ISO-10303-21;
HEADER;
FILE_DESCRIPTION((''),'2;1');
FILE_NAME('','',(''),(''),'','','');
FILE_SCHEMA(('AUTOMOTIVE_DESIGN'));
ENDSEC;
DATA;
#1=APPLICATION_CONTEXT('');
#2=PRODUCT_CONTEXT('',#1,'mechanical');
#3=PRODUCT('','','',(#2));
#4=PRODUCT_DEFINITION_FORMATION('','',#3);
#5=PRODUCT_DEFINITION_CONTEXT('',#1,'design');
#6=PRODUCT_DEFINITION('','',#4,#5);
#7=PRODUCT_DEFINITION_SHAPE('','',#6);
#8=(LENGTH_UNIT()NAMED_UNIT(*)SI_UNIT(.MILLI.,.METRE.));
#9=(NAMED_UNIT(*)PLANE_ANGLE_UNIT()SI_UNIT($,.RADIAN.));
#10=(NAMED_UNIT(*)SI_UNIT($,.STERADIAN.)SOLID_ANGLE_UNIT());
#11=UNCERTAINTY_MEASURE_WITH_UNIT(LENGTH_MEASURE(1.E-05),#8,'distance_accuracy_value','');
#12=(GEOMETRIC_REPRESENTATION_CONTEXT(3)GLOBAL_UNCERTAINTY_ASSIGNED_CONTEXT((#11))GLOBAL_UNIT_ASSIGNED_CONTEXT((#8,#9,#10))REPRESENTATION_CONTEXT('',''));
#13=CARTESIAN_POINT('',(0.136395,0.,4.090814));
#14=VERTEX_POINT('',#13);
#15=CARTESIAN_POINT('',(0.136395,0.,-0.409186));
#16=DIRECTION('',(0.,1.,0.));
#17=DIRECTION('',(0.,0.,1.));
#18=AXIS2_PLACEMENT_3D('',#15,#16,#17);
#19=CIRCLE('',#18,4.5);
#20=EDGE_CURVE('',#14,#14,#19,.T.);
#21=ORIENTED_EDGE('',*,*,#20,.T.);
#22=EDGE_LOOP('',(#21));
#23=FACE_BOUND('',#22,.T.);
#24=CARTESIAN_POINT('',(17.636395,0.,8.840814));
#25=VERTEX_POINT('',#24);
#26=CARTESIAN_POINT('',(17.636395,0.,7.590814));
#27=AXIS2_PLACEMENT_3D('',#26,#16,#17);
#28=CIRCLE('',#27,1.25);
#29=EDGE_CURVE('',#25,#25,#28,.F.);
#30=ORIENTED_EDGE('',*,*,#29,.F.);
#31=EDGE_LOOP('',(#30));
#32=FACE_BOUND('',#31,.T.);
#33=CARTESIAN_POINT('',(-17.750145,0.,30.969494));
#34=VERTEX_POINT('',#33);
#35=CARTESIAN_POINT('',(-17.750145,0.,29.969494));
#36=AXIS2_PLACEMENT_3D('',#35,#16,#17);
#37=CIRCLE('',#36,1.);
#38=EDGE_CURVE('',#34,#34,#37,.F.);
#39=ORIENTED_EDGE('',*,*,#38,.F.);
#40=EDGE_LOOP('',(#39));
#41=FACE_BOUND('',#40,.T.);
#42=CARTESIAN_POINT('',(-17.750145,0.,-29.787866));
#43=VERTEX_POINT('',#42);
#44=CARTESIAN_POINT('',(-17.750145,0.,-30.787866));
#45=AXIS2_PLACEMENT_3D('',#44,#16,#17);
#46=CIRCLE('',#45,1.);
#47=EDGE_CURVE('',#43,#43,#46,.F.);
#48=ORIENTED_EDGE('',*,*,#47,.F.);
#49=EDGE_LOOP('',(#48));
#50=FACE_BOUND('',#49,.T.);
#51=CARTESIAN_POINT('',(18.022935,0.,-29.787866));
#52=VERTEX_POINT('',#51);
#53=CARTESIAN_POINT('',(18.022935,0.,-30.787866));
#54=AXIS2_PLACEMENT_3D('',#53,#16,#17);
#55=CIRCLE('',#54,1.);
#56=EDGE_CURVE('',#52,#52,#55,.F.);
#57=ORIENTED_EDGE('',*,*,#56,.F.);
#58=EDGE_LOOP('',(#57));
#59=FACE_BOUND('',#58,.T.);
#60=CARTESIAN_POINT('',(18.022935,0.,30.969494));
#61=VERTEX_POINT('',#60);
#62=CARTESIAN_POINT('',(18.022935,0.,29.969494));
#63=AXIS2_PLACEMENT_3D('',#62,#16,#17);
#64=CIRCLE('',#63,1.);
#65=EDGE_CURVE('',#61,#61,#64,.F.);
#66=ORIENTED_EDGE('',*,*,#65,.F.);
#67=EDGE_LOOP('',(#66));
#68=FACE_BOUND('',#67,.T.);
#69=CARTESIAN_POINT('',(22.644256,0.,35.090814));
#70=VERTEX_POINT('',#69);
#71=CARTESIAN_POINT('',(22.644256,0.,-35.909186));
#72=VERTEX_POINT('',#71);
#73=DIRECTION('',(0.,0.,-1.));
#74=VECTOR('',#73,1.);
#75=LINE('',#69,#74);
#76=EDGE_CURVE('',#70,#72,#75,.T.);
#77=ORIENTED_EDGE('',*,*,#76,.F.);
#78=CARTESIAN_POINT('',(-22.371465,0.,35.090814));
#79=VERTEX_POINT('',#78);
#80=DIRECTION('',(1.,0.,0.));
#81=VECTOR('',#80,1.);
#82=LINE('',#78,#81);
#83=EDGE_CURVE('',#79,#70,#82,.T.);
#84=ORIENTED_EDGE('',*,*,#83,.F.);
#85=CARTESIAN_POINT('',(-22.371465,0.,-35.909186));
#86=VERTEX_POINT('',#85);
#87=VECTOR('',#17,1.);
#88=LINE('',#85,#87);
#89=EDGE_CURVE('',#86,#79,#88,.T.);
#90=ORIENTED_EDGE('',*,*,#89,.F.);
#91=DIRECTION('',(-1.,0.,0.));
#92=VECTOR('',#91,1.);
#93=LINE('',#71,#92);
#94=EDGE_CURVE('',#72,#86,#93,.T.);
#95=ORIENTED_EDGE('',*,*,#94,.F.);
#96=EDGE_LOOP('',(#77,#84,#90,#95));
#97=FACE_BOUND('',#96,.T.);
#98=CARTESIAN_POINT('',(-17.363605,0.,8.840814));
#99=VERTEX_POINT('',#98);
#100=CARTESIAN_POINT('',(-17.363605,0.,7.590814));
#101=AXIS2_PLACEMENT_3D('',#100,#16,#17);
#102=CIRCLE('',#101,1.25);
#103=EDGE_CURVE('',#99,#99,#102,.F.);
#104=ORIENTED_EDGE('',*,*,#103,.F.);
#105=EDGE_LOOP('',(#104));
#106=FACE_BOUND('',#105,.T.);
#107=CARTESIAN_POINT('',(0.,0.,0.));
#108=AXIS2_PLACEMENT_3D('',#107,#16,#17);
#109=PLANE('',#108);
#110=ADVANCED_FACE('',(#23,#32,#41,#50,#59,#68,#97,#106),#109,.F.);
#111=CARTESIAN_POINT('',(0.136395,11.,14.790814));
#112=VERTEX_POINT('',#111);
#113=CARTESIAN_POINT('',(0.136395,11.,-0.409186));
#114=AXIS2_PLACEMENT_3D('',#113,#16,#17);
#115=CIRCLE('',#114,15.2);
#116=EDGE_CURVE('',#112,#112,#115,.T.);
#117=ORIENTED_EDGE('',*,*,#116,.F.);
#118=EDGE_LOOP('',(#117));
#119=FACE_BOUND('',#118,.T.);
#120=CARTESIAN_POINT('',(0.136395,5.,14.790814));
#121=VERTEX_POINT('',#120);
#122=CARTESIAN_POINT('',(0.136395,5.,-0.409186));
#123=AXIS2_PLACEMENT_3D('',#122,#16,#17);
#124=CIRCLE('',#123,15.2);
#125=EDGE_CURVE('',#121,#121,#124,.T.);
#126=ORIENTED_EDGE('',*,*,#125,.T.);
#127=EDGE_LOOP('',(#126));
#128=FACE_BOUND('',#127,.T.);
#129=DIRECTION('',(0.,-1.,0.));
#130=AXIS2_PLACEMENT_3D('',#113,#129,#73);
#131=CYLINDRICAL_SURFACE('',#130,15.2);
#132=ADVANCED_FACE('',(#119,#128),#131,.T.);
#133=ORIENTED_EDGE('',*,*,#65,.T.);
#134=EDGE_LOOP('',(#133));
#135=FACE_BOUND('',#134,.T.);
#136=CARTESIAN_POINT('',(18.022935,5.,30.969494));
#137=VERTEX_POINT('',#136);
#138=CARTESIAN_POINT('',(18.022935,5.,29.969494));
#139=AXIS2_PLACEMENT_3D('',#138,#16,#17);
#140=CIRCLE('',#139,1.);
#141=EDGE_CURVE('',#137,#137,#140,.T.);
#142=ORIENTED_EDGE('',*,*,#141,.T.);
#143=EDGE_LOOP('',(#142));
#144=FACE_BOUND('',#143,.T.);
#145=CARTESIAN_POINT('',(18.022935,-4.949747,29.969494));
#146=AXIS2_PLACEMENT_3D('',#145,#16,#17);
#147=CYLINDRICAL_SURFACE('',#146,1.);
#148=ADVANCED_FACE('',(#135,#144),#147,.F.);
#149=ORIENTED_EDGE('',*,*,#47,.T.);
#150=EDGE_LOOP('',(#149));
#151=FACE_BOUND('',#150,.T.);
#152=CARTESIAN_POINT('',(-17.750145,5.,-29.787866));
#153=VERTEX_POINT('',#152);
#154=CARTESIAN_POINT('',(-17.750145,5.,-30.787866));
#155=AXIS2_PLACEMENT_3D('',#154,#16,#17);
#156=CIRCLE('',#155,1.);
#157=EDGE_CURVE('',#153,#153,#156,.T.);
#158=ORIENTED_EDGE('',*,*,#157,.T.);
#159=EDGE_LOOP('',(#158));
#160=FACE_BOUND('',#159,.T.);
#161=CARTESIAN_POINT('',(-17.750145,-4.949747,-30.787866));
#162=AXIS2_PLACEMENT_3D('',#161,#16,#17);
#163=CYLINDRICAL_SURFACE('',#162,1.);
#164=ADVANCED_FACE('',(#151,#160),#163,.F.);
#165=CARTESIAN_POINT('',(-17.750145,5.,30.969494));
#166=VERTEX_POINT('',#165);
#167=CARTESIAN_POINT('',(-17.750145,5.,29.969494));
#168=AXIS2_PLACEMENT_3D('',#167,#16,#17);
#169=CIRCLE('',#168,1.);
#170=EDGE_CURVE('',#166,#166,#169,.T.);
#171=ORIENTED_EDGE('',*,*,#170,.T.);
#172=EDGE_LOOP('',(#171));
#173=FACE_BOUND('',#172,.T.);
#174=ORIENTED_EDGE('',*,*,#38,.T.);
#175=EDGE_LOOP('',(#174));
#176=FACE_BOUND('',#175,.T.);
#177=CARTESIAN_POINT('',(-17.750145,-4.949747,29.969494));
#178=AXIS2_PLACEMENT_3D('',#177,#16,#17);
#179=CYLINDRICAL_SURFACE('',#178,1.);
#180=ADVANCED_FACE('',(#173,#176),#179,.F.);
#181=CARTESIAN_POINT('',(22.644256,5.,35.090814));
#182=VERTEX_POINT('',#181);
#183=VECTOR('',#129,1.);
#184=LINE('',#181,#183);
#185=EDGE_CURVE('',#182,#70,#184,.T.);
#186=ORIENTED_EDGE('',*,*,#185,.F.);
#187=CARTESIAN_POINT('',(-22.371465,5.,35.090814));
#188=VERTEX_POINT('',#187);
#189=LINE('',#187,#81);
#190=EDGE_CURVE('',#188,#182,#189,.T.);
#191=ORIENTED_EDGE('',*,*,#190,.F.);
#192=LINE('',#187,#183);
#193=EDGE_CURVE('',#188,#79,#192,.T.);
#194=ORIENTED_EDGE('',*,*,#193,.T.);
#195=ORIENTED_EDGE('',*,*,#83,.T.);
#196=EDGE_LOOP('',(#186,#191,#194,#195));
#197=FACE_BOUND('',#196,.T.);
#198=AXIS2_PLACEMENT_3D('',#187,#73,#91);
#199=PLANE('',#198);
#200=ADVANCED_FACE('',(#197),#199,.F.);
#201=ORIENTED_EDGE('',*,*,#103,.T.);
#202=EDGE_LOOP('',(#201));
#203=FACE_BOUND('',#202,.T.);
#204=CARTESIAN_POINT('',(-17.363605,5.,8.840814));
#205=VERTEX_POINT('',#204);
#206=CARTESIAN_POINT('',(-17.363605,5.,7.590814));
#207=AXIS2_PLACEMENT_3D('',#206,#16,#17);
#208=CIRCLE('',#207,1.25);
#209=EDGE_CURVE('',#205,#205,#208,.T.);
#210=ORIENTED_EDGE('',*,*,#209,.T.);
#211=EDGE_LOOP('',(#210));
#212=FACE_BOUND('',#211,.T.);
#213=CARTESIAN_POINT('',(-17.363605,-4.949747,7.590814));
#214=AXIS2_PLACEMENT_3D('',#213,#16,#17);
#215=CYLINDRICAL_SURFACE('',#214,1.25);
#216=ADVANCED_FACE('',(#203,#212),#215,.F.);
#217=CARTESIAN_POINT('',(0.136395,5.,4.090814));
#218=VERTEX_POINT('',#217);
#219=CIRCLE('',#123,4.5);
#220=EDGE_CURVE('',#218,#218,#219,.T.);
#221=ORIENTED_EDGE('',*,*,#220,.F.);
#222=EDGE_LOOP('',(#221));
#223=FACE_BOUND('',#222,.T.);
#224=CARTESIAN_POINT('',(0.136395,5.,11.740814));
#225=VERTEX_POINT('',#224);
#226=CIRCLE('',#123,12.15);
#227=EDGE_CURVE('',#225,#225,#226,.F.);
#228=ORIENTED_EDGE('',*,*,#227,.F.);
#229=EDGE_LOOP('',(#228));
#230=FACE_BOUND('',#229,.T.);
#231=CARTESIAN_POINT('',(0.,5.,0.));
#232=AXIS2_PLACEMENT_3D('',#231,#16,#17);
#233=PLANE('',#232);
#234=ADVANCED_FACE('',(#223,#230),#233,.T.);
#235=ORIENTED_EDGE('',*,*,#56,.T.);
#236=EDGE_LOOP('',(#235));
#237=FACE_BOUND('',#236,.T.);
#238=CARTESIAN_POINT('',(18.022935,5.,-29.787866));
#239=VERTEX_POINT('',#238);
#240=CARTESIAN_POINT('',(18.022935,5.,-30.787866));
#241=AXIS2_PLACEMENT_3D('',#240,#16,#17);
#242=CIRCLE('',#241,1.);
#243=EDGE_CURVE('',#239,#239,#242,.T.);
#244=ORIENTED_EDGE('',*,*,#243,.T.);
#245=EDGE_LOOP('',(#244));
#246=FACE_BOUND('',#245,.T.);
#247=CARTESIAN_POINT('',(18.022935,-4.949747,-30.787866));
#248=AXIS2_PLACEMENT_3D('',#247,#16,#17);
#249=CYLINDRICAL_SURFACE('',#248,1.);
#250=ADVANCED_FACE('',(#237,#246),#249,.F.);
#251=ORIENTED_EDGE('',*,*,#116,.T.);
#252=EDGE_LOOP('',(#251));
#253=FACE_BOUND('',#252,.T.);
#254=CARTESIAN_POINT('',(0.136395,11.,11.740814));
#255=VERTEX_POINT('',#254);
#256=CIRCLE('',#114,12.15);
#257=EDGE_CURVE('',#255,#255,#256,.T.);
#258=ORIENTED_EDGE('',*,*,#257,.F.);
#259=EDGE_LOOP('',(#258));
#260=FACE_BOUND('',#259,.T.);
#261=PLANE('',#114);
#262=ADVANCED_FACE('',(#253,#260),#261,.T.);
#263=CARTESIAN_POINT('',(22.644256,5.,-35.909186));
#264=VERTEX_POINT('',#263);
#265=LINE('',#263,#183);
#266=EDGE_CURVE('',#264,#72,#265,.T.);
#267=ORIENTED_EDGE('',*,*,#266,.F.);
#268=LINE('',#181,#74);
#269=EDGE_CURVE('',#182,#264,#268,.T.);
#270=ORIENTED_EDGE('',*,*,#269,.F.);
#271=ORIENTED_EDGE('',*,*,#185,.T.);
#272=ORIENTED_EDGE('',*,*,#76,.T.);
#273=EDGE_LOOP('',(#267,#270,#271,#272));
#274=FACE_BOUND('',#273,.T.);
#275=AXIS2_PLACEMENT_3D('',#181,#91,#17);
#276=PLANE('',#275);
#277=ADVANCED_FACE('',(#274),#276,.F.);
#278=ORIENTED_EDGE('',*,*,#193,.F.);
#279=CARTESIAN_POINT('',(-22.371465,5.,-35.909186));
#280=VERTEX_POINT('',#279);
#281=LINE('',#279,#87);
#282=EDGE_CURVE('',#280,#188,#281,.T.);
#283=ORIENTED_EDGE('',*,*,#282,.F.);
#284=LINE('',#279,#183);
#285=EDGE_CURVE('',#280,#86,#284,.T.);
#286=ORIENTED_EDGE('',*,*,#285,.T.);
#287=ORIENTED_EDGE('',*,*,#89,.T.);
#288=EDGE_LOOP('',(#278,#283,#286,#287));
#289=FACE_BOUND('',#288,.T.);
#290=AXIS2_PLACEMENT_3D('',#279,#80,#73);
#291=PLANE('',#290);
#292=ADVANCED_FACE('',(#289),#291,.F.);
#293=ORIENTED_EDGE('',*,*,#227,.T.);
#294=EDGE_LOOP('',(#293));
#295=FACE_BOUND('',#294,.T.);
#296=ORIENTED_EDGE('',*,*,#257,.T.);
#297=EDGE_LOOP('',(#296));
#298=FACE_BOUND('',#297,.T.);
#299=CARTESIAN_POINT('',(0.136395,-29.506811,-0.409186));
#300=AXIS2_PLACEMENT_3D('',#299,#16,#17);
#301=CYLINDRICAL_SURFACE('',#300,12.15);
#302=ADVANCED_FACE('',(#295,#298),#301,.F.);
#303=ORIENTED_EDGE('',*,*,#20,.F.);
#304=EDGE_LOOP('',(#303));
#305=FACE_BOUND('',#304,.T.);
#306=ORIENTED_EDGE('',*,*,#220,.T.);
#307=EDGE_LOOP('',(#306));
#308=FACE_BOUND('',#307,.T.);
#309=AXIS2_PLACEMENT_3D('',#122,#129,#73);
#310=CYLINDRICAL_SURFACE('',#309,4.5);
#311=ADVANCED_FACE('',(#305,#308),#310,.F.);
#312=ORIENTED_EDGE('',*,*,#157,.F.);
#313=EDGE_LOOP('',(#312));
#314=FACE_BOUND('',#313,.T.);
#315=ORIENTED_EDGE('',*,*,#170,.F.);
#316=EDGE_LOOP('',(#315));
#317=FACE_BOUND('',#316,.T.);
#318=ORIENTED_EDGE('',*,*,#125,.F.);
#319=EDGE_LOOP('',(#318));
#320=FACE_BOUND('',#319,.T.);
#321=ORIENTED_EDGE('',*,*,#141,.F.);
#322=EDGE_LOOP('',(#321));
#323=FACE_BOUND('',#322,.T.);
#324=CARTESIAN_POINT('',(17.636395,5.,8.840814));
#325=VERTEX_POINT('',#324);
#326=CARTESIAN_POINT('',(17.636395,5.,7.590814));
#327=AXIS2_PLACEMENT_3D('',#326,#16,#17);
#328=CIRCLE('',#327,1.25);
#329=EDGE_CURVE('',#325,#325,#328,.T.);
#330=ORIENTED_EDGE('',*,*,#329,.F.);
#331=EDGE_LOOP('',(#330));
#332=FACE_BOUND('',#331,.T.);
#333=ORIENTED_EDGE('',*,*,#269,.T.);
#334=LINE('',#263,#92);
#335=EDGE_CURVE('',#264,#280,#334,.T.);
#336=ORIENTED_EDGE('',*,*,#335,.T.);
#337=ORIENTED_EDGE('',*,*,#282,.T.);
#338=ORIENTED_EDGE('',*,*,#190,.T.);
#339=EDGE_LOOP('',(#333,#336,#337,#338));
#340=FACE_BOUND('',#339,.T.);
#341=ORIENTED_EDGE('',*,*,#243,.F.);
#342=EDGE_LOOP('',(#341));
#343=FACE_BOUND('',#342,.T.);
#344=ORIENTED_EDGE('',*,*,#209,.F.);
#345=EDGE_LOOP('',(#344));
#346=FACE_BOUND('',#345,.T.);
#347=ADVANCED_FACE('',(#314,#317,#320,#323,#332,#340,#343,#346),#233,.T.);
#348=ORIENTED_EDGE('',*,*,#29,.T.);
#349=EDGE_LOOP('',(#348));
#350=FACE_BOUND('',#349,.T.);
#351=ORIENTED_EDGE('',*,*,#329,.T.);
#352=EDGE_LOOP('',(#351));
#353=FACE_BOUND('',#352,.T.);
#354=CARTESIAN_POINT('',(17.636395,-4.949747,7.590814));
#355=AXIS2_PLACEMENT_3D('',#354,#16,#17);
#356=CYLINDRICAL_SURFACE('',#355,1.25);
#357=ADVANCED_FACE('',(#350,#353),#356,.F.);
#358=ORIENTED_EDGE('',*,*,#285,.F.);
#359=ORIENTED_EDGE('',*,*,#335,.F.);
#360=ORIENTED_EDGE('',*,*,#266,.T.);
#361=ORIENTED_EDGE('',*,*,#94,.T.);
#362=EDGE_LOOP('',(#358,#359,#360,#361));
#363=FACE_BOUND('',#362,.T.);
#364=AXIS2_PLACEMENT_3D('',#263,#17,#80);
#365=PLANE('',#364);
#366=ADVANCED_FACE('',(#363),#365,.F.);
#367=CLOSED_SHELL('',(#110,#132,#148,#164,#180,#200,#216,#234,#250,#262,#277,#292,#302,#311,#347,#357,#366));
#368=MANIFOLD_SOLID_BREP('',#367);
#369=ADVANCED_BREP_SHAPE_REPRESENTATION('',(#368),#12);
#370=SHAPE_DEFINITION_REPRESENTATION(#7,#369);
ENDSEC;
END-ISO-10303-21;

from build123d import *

# Parameters (mm, degrees)
SKETCH1_W           = 45.01572081
SKETCH1_H           = 71
SKETCH1_R           = 1.75
SKETCH1_R_2         = 4.5
BOSS_EXTRUDE1_DEPTH = 5
SKETCH2_R           = 15.2
SKETCH2_R_2         = 12.2
BOSS_EXTRUDE2_DEPTH = 6
SKETCH3_R           = 1.5
CUT_EXTRUDE1_DEPTH  = 60
SKETCH4_R           = 12.2
SKETCH4_R_2         = 12.15
BOSS_EXTRUDE3_DEPTH = 6
SKETCH5_R           = 1.5
SKETCH5_R_2         = 1
SKETCH5_R_3         = 1.75
SKETCH5_R_4         = 1.25
BOSS_EXTRUDE4_DEPTH = 5


with BuildPart() as part:
    # Sketch1 → Boss-Extrude1 (new body)
    with BuildSketch(Plane(origin=(0, 0, 0), x_dir=(1, 0, 0), z_dir=(0, 1, 0))):
        with Locations((0.136395343, 0.409186029)):
            Rectangle(SKETCH1_W, SKETCH1_H)
        with Locations((17.636395343, -7.590813971)):
            Circle(SKETCH1_R, mode=Mode.SUBTRACT)
        with Locations((0.136395343, 0.409186029)):
            Circle(SKETCH1_R_2, mode=Mode.SUBTRACT)
        with Locations((-17.363604657, -7.590813971)):
            Circle(SKETCH1_R, mode=Mode.SUBTRACT)
    extrude(amount=BOSS_EXTRUDE1_DEPTH)

    # Sketch2 → Boss-Extrude2 (add)
    with BuildSketch(Plane(origin=(0, 5, 0), x_dir=(1, 0, 0), z_dir=(0, 1, 0))):
        with Locations((0.136395343, 0.409186029)):
            Circle(SKETCH2_R)
        with Locations((0.136395343, 0.409186029)):
            Circle(SKETCH2_R_2, mode=Mode.SUBTRACT)
    extrude(amount=BOSS_EXTRUDE2_DEPTH)

    # Sketch3 → Cut-Extrude1 (cut)
    with BuildSketch(Plane.XZ):
        with Locations((18.022935404, 29.969493628)):
            Circle(SKETCH3_R)
        with Locations((-17.750144718, 29.969493628)):
            Circle(SKETCH3_R)
        with Locations((-17.750144718, -30.787865685)):
            Circle(SKETCH3_R)
        with Locations((18.022935404, -30.787865685)):
            Circle(SKETCH3_R)
    extrude(amount=-CUT_EXTRUDE1_DEPTH, mode=Mode.SUBTRACT)

    # Sketch4 → Boss-Extrude3 (add)
    with BuildSketch(Plane(origin=(0, 11, 0), x_dir=(1, 0, 0), z_dir=(0, 1, 0))):
        with Locations((0.136395343, 0.409186029)):
            Circle(SKETCH4_R)
        with Locations((0.136395343, 0.409186029)):
            Circle(SKETCH4_R_2, mode=Mode.SUBTRACT)
    extrude(amount=-BOSS_EXTRUDE3_DEPTH)

    # Sketch5 → Boss-Extrude4 (add)
    with BuildSketch(Plane(origin=(0, 5, 0), x_dir=(1, 0, 0), z_dir=(0, 1, 0))):
        with Locations((-17.750144718, -29.969493628)):
            Circle(SKETCH5_R)
        with Locations((-17.750144718, -29.969493628)):
            Circle(SKETCH5_R_2, mode=Mode.SUBTRACT)
        with Locations((18.022935404, -29.969493628)):
            Circle(SKETCH5_R)
        with Locations((18.022935404, -29.969493628)):
            Circle(SKETCH5_R_2, mode=Mode.SUBTRACT)
        with Locations((17.636395343, -7.590813971)):
            Circle(SKETCH5_R_3)
        with Locations((17.636395343, -7.590813971)):
            Circle(SKETCH5_R_4, mode=Mode.SUBTRACT)
        with Locations((-17.363604657, -7.590813971)):
            Circle(SKETCH5_R_3)
        with Locations((-17.363604657, -7.590813971)):
            Circle(SKETCH5_R_4, mode=Mode.SUBTRACT)
        with Locations((-17.750144718, 30.787865685)):
            Circle(SKETCH5_R)
        with Locations((-17.750144718, 30.787865685)):
            Circle(SKETCH5_R_2, mode=Mode.SUBTRACT)
        with Locations((18.022935404, 30.787865685)):
            Circle(SKETCH5_R)
        with Locations((18.022935404, 30.787865685)):
            Circle(SKETCH5_R_2, mode=Mode.SUBTRACT)
    extrude(amount=-BOSS_EXTRUDE4_DEPTH)


solid = part.part
